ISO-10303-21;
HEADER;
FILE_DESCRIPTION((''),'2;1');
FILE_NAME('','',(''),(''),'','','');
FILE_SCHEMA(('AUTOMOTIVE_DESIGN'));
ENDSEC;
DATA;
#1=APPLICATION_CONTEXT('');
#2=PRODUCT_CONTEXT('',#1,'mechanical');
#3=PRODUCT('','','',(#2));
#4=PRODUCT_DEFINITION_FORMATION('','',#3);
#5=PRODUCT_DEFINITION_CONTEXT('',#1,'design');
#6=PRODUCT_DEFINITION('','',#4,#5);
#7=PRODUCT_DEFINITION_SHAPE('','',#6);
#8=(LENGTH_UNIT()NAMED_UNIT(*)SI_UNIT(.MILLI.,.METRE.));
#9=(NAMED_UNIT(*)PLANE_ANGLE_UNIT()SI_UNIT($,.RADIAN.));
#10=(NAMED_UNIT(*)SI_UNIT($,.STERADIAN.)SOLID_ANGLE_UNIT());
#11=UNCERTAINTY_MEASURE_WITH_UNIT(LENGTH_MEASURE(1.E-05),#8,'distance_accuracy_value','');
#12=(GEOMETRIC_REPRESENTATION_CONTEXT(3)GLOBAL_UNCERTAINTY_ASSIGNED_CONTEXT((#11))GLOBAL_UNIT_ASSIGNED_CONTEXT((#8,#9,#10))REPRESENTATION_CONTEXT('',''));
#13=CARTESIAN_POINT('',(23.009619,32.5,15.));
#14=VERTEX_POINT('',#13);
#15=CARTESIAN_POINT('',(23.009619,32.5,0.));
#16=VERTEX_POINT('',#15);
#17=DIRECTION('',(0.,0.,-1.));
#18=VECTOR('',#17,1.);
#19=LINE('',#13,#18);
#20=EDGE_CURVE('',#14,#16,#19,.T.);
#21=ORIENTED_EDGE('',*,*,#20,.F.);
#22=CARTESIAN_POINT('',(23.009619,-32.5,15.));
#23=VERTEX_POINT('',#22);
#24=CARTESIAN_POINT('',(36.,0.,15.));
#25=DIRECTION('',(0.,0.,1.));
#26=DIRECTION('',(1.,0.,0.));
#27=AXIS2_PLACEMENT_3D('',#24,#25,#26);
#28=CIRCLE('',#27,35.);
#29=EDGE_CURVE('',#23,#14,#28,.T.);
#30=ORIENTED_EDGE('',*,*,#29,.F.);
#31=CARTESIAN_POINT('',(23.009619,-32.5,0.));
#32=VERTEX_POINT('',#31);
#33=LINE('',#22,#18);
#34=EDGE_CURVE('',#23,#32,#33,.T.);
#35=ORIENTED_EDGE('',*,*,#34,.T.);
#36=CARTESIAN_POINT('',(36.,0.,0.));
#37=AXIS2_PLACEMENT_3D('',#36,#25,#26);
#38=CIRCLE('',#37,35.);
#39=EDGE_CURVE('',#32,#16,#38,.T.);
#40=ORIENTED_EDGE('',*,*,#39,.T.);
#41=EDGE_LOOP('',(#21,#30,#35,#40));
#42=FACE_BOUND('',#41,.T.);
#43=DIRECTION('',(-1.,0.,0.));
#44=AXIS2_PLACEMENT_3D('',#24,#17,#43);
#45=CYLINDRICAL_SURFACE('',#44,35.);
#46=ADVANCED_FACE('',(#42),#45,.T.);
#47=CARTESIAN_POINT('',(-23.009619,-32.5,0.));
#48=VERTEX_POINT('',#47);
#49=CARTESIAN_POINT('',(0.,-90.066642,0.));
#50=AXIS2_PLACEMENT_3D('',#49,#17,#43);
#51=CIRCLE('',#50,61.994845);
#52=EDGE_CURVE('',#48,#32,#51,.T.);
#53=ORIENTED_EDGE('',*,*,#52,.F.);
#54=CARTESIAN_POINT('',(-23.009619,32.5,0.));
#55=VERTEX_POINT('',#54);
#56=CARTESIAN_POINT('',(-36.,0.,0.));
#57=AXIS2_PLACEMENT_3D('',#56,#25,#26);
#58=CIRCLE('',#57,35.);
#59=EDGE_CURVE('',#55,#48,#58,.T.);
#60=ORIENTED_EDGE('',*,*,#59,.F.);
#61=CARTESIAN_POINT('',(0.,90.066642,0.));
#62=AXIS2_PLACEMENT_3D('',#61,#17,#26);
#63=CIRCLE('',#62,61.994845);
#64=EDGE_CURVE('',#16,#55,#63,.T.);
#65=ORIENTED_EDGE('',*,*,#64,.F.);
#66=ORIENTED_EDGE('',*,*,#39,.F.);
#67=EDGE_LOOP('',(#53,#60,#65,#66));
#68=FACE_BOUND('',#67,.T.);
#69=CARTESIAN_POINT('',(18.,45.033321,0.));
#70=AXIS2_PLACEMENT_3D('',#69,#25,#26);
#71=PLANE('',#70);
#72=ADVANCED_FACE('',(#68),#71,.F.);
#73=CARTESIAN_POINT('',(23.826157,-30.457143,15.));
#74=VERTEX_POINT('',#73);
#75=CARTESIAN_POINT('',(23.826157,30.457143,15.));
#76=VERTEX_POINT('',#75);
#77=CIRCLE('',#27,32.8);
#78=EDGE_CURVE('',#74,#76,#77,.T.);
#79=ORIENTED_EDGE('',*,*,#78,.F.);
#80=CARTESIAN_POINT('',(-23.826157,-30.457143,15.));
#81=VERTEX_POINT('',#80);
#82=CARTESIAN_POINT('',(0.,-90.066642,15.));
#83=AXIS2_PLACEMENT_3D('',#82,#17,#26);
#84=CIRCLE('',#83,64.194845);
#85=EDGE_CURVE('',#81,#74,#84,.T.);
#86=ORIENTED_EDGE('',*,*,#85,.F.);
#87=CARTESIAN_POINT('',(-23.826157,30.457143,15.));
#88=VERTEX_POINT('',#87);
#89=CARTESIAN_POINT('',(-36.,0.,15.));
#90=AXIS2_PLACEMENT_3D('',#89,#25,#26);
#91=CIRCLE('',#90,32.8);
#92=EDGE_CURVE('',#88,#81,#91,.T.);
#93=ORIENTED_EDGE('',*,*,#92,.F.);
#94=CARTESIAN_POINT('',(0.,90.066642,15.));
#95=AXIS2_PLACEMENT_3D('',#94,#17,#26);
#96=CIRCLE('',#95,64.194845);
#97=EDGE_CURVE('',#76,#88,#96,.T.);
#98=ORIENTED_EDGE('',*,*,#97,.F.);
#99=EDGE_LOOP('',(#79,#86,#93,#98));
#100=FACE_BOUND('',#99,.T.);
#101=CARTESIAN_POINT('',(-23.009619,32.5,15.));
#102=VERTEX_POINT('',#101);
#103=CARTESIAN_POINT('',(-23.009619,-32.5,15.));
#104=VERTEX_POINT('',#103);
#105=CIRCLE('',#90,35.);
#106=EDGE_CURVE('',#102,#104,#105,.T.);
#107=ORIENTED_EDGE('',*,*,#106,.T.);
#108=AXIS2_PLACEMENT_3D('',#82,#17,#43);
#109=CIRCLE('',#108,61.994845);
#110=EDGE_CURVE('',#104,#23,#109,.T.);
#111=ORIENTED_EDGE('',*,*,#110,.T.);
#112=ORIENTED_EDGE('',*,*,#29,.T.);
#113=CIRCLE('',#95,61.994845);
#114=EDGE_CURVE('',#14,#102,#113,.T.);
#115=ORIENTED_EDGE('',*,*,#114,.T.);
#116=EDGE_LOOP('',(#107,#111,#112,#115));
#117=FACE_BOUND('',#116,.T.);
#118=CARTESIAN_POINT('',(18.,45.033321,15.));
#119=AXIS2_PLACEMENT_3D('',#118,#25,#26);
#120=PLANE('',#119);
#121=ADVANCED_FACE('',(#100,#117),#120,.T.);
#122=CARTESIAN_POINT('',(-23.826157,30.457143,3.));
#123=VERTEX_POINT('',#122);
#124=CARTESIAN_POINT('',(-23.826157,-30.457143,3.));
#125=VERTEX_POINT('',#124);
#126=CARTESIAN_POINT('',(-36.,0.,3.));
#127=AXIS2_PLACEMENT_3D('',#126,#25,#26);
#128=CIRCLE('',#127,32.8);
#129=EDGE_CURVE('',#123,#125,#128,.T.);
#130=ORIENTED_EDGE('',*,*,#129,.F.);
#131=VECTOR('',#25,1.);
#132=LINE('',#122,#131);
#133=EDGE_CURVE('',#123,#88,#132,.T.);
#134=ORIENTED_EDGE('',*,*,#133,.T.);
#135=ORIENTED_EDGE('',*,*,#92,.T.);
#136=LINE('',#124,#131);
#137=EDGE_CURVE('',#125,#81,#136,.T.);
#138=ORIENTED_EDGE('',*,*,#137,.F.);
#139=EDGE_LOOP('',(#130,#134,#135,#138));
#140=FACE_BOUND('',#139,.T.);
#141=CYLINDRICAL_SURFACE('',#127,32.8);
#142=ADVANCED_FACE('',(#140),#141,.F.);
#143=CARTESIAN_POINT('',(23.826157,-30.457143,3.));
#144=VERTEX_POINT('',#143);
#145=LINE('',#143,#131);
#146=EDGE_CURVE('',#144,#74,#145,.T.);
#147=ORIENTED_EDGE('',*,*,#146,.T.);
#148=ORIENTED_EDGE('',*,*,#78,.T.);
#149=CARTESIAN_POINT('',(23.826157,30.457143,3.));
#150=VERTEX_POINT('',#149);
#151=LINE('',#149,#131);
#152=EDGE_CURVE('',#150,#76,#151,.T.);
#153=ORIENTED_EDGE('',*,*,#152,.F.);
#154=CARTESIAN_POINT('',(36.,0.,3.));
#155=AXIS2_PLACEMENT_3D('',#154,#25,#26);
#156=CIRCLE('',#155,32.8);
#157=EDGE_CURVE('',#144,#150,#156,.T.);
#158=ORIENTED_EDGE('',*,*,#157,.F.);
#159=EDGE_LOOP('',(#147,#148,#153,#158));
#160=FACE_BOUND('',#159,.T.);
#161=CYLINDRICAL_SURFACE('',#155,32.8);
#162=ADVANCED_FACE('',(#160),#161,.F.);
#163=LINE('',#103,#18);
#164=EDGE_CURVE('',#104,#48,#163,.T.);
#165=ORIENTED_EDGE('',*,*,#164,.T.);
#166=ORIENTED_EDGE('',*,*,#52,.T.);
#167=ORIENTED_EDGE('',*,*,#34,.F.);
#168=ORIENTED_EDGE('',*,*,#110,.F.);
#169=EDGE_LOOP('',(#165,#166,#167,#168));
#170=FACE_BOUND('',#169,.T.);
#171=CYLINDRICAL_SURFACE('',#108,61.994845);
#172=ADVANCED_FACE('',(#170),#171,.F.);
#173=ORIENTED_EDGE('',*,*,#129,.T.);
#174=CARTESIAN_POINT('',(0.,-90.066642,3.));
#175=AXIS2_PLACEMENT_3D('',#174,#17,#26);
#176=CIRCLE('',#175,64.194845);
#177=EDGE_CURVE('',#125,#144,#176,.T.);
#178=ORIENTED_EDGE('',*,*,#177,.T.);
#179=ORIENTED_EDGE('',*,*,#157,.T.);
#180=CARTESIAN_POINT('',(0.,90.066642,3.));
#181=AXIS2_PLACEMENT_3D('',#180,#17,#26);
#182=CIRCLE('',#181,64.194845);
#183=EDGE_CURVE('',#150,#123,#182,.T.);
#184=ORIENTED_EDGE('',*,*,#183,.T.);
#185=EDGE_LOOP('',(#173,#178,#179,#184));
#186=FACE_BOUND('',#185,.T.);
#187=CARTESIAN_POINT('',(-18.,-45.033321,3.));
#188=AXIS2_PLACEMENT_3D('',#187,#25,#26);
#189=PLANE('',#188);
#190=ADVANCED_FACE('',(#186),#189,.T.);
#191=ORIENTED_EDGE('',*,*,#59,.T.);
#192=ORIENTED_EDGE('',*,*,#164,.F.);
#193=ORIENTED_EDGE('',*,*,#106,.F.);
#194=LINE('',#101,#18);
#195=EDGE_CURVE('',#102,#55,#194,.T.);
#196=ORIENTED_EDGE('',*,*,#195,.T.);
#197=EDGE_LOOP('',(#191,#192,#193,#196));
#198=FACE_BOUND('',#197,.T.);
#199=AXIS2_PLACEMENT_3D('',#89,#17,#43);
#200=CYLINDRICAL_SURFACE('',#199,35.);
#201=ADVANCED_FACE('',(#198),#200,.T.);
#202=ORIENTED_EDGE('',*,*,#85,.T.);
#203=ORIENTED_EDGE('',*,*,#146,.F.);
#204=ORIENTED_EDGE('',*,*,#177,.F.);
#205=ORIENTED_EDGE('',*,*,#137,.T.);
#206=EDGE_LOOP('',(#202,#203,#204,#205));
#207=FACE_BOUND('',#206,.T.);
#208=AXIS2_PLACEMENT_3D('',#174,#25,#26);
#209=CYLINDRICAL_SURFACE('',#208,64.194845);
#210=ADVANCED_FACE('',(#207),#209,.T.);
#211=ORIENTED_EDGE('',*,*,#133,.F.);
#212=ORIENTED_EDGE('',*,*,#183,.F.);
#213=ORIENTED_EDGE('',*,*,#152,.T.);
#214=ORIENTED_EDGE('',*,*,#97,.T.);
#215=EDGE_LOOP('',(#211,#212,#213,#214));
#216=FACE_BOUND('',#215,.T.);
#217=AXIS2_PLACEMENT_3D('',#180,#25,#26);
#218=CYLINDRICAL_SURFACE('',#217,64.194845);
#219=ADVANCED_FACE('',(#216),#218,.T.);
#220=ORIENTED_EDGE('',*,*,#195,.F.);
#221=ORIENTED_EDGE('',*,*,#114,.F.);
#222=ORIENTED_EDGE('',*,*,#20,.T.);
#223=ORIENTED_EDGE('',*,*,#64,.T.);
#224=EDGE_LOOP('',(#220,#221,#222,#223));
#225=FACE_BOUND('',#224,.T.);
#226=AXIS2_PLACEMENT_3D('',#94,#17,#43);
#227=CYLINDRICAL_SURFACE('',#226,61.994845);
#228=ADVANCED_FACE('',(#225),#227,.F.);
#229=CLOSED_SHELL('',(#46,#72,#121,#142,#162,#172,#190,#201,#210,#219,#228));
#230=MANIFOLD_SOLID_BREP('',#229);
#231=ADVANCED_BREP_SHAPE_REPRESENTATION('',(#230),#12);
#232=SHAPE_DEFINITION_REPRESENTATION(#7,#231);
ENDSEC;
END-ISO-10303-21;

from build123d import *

# Parameters (mm, degrees)
BOSS_EXTRUDE1_DEPTH = 15
CUT_EXTRUDE2_DEPTH  = 12


with BuildPart() as part:
    # Sketch1 → Boss-Extrude1 (new body)
    with BuildSketch(Plane.XY):
        with BuildLine():
            ThreePointArc((-23.009618943, 32.5), (-71, 0), (-23.009618943, -32.5))
            ThreePointArc((-23.009618943, -32.5), (0, -28.07179677), (23.009618943, -32.5))
            ThreePointArc((23.009618943, -32.5), (71, 0), (23.009618943, 32.5))
            ThreePointArc((23.009618943, 32.5), (0, 28.07179677), (-23.009618943, 32.5))
        make_face()
    extrude(amount=BOSS_EXTRUDE1_DEPTH)

    # Sketch2 → Cut-Extrude2 (cut)
    with BuildSketch(Plane.XY.offset(15)):
        with BuildLine():
            ThreePointArc((-23.826157181, 30.457142857), (0, 25.87179677), (23.826157181, 30.457142857))
            ThreePointArc((23.826157181, 30.457142857), (68.8, 0), (23.826157181, -30.457142857))
            ThreePointArc((23.826157181, -30.457142857), (0, -25.87179677), (-23.826157181, -30.457142857))
            ThreePointArc((-23.826157181, -30.457142857), (-68.8, 0), (-23.826157181, 30.457142857))
        make_face()
    extrude(amount=-CUT_EXTRUDE2_DEPTH, mode=Mode.SUBTRACT)


solid = part.part
